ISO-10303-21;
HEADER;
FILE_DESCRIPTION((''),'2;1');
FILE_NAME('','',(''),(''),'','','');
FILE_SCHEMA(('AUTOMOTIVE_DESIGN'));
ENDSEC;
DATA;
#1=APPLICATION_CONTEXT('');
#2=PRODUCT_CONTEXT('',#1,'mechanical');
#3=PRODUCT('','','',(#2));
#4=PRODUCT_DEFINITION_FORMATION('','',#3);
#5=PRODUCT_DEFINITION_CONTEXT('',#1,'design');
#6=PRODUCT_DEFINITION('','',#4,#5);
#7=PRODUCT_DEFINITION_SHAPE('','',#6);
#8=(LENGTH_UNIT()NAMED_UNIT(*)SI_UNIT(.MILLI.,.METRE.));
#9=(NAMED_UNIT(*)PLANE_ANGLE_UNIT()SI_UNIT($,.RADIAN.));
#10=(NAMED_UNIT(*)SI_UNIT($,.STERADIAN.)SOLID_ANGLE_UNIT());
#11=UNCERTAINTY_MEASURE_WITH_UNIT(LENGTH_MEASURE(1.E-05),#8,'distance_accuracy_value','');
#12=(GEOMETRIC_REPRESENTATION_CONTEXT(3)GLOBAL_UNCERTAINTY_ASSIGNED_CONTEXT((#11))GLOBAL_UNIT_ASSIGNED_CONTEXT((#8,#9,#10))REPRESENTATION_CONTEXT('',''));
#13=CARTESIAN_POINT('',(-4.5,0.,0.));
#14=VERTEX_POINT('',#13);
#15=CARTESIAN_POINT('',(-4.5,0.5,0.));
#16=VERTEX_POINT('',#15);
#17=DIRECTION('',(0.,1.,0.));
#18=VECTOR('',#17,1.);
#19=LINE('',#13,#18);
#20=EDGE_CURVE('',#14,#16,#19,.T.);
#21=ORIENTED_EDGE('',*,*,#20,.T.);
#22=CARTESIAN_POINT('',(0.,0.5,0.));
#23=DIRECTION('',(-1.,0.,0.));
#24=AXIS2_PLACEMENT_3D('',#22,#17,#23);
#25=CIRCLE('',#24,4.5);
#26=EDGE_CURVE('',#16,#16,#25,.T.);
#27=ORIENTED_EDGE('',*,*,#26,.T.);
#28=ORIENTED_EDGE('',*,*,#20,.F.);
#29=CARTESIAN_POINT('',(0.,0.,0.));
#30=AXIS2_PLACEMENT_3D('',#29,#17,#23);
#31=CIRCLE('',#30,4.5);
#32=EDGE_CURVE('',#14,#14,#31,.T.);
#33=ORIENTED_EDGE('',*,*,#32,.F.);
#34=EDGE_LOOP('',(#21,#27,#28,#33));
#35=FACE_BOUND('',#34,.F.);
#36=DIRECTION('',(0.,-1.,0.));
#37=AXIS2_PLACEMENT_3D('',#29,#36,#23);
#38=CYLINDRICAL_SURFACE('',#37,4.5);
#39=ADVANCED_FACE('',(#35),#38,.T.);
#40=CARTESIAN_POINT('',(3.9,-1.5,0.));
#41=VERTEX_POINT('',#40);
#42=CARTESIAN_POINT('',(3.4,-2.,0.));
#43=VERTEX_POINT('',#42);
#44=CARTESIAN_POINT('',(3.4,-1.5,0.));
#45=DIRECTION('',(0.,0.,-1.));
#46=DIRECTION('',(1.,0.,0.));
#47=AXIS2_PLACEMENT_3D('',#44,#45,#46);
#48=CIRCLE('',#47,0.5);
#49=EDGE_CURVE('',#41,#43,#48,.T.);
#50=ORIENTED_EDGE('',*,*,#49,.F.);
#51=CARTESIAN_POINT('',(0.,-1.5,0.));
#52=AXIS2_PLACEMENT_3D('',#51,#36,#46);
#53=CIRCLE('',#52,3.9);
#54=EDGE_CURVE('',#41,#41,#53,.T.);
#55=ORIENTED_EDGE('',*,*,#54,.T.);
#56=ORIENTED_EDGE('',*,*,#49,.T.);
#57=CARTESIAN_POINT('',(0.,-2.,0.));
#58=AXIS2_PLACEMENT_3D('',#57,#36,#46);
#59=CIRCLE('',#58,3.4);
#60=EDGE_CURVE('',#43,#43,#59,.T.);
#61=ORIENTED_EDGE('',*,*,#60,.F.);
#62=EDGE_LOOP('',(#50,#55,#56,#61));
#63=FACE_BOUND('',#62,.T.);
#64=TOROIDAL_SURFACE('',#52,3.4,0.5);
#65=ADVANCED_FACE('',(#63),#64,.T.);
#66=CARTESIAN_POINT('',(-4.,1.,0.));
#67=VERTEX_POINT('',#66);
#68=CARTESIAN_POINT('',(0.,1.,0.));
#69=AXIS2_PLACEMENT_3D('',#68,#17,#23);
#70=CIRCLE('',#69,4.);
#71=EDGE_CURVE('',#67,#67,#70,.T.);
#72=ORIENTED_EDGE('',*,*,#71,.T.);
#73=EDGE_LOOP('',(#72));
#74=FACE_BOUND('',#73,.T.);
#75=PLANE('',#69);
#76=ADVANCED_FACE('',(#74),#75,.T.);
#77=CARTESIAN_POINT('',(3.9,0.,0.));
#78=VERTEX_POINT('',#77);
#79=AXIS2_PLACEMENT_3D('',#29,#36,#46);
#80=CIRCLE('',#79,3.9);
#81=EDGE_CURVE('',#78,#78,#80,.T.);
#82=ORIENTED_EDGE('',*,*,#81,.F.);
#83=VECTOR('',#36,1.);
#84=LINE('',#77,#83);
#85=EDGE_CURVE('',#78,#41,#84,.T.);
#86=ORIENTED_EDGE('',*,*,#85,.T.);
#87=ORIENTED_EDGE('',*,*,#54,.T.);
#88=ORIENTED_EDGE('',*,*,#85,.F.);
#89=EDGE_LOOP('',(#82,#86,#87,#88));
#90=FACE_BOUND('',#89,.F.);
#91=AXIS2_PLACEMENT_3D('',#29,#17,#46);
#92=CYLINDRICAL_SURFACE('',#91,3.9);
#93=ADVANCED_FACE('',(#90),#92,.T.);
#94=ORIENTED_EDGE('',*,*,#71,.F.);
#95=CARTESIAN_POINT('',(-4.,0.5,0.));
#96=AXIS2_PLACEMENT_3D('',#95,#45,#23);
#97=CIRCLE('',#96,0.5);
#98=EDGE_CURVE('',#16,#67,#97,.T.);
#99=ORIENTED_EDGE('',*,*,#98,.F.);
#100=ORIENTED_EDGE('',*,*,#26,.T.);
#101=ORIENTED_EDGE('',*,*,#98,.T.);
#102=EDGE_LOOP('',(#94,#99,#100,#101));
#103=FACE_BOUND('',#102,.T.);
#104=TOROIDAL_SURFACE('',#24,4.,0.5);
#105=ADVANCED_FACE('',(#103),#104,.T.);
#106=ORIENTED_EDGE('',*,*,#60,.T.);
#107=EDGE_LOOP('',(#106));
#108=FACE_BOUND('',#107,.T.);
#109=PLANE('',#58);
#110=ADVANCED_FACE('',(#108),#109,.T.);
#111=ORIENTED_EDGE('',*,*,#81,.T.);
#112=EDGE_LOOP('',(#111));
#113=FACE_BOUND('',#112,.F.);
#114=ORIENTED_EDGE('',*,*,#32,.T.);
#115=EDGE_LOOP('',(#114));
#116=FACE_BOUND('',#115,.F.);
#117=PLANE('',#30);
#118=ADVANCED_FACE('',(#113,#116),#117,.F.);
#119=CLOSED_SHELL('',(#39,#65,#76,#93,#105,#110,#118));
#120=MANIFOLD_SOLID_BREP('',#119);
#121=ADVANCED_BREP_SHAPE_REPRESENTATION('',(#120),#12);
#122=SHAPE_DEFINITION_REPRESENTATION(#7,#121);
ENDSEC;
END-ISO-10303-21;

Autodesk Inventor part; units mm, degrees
ref_plane "YZ Plane" through (0, 0, 0) normal (1, 0, 0) x (0, 1, 0)
ref_plane "XZ Plane" through (0, 0, 0) normal (0, 1, 0) x (-1, 0, 0)
ref_plane "XY Plane" through (0, 0, 0) normal (0, 0, 1) x (1, 0, 0)
sketch "Boceto1" plane through (0, 0, 0) normal (0, 1, 0) x (-1, 0, 0)
  circle A0 centre (0, 0) radius 4.5
  dimension "d0" = 9
extrude "Extrusión1" add sketch "Boceto1" along normal blind 1
fillet "Empalme1" radius 0.5 1 edges at (4.5, 1, 0)
sketch "Boceto2" plane through (0, 0, 0) normal (0, -1, 0) x (1, 0, 0)
  circle A0 centre (0, 0) radius 3.9
  dimension "d4" = 7.8
extrude "Extrusión2" add sketch "Boceto2" along normal blind 2
fillet "Empalme2" radius 0.5 1 edges at (-3.9, -2, 0)
properties part number "sensor_2"
